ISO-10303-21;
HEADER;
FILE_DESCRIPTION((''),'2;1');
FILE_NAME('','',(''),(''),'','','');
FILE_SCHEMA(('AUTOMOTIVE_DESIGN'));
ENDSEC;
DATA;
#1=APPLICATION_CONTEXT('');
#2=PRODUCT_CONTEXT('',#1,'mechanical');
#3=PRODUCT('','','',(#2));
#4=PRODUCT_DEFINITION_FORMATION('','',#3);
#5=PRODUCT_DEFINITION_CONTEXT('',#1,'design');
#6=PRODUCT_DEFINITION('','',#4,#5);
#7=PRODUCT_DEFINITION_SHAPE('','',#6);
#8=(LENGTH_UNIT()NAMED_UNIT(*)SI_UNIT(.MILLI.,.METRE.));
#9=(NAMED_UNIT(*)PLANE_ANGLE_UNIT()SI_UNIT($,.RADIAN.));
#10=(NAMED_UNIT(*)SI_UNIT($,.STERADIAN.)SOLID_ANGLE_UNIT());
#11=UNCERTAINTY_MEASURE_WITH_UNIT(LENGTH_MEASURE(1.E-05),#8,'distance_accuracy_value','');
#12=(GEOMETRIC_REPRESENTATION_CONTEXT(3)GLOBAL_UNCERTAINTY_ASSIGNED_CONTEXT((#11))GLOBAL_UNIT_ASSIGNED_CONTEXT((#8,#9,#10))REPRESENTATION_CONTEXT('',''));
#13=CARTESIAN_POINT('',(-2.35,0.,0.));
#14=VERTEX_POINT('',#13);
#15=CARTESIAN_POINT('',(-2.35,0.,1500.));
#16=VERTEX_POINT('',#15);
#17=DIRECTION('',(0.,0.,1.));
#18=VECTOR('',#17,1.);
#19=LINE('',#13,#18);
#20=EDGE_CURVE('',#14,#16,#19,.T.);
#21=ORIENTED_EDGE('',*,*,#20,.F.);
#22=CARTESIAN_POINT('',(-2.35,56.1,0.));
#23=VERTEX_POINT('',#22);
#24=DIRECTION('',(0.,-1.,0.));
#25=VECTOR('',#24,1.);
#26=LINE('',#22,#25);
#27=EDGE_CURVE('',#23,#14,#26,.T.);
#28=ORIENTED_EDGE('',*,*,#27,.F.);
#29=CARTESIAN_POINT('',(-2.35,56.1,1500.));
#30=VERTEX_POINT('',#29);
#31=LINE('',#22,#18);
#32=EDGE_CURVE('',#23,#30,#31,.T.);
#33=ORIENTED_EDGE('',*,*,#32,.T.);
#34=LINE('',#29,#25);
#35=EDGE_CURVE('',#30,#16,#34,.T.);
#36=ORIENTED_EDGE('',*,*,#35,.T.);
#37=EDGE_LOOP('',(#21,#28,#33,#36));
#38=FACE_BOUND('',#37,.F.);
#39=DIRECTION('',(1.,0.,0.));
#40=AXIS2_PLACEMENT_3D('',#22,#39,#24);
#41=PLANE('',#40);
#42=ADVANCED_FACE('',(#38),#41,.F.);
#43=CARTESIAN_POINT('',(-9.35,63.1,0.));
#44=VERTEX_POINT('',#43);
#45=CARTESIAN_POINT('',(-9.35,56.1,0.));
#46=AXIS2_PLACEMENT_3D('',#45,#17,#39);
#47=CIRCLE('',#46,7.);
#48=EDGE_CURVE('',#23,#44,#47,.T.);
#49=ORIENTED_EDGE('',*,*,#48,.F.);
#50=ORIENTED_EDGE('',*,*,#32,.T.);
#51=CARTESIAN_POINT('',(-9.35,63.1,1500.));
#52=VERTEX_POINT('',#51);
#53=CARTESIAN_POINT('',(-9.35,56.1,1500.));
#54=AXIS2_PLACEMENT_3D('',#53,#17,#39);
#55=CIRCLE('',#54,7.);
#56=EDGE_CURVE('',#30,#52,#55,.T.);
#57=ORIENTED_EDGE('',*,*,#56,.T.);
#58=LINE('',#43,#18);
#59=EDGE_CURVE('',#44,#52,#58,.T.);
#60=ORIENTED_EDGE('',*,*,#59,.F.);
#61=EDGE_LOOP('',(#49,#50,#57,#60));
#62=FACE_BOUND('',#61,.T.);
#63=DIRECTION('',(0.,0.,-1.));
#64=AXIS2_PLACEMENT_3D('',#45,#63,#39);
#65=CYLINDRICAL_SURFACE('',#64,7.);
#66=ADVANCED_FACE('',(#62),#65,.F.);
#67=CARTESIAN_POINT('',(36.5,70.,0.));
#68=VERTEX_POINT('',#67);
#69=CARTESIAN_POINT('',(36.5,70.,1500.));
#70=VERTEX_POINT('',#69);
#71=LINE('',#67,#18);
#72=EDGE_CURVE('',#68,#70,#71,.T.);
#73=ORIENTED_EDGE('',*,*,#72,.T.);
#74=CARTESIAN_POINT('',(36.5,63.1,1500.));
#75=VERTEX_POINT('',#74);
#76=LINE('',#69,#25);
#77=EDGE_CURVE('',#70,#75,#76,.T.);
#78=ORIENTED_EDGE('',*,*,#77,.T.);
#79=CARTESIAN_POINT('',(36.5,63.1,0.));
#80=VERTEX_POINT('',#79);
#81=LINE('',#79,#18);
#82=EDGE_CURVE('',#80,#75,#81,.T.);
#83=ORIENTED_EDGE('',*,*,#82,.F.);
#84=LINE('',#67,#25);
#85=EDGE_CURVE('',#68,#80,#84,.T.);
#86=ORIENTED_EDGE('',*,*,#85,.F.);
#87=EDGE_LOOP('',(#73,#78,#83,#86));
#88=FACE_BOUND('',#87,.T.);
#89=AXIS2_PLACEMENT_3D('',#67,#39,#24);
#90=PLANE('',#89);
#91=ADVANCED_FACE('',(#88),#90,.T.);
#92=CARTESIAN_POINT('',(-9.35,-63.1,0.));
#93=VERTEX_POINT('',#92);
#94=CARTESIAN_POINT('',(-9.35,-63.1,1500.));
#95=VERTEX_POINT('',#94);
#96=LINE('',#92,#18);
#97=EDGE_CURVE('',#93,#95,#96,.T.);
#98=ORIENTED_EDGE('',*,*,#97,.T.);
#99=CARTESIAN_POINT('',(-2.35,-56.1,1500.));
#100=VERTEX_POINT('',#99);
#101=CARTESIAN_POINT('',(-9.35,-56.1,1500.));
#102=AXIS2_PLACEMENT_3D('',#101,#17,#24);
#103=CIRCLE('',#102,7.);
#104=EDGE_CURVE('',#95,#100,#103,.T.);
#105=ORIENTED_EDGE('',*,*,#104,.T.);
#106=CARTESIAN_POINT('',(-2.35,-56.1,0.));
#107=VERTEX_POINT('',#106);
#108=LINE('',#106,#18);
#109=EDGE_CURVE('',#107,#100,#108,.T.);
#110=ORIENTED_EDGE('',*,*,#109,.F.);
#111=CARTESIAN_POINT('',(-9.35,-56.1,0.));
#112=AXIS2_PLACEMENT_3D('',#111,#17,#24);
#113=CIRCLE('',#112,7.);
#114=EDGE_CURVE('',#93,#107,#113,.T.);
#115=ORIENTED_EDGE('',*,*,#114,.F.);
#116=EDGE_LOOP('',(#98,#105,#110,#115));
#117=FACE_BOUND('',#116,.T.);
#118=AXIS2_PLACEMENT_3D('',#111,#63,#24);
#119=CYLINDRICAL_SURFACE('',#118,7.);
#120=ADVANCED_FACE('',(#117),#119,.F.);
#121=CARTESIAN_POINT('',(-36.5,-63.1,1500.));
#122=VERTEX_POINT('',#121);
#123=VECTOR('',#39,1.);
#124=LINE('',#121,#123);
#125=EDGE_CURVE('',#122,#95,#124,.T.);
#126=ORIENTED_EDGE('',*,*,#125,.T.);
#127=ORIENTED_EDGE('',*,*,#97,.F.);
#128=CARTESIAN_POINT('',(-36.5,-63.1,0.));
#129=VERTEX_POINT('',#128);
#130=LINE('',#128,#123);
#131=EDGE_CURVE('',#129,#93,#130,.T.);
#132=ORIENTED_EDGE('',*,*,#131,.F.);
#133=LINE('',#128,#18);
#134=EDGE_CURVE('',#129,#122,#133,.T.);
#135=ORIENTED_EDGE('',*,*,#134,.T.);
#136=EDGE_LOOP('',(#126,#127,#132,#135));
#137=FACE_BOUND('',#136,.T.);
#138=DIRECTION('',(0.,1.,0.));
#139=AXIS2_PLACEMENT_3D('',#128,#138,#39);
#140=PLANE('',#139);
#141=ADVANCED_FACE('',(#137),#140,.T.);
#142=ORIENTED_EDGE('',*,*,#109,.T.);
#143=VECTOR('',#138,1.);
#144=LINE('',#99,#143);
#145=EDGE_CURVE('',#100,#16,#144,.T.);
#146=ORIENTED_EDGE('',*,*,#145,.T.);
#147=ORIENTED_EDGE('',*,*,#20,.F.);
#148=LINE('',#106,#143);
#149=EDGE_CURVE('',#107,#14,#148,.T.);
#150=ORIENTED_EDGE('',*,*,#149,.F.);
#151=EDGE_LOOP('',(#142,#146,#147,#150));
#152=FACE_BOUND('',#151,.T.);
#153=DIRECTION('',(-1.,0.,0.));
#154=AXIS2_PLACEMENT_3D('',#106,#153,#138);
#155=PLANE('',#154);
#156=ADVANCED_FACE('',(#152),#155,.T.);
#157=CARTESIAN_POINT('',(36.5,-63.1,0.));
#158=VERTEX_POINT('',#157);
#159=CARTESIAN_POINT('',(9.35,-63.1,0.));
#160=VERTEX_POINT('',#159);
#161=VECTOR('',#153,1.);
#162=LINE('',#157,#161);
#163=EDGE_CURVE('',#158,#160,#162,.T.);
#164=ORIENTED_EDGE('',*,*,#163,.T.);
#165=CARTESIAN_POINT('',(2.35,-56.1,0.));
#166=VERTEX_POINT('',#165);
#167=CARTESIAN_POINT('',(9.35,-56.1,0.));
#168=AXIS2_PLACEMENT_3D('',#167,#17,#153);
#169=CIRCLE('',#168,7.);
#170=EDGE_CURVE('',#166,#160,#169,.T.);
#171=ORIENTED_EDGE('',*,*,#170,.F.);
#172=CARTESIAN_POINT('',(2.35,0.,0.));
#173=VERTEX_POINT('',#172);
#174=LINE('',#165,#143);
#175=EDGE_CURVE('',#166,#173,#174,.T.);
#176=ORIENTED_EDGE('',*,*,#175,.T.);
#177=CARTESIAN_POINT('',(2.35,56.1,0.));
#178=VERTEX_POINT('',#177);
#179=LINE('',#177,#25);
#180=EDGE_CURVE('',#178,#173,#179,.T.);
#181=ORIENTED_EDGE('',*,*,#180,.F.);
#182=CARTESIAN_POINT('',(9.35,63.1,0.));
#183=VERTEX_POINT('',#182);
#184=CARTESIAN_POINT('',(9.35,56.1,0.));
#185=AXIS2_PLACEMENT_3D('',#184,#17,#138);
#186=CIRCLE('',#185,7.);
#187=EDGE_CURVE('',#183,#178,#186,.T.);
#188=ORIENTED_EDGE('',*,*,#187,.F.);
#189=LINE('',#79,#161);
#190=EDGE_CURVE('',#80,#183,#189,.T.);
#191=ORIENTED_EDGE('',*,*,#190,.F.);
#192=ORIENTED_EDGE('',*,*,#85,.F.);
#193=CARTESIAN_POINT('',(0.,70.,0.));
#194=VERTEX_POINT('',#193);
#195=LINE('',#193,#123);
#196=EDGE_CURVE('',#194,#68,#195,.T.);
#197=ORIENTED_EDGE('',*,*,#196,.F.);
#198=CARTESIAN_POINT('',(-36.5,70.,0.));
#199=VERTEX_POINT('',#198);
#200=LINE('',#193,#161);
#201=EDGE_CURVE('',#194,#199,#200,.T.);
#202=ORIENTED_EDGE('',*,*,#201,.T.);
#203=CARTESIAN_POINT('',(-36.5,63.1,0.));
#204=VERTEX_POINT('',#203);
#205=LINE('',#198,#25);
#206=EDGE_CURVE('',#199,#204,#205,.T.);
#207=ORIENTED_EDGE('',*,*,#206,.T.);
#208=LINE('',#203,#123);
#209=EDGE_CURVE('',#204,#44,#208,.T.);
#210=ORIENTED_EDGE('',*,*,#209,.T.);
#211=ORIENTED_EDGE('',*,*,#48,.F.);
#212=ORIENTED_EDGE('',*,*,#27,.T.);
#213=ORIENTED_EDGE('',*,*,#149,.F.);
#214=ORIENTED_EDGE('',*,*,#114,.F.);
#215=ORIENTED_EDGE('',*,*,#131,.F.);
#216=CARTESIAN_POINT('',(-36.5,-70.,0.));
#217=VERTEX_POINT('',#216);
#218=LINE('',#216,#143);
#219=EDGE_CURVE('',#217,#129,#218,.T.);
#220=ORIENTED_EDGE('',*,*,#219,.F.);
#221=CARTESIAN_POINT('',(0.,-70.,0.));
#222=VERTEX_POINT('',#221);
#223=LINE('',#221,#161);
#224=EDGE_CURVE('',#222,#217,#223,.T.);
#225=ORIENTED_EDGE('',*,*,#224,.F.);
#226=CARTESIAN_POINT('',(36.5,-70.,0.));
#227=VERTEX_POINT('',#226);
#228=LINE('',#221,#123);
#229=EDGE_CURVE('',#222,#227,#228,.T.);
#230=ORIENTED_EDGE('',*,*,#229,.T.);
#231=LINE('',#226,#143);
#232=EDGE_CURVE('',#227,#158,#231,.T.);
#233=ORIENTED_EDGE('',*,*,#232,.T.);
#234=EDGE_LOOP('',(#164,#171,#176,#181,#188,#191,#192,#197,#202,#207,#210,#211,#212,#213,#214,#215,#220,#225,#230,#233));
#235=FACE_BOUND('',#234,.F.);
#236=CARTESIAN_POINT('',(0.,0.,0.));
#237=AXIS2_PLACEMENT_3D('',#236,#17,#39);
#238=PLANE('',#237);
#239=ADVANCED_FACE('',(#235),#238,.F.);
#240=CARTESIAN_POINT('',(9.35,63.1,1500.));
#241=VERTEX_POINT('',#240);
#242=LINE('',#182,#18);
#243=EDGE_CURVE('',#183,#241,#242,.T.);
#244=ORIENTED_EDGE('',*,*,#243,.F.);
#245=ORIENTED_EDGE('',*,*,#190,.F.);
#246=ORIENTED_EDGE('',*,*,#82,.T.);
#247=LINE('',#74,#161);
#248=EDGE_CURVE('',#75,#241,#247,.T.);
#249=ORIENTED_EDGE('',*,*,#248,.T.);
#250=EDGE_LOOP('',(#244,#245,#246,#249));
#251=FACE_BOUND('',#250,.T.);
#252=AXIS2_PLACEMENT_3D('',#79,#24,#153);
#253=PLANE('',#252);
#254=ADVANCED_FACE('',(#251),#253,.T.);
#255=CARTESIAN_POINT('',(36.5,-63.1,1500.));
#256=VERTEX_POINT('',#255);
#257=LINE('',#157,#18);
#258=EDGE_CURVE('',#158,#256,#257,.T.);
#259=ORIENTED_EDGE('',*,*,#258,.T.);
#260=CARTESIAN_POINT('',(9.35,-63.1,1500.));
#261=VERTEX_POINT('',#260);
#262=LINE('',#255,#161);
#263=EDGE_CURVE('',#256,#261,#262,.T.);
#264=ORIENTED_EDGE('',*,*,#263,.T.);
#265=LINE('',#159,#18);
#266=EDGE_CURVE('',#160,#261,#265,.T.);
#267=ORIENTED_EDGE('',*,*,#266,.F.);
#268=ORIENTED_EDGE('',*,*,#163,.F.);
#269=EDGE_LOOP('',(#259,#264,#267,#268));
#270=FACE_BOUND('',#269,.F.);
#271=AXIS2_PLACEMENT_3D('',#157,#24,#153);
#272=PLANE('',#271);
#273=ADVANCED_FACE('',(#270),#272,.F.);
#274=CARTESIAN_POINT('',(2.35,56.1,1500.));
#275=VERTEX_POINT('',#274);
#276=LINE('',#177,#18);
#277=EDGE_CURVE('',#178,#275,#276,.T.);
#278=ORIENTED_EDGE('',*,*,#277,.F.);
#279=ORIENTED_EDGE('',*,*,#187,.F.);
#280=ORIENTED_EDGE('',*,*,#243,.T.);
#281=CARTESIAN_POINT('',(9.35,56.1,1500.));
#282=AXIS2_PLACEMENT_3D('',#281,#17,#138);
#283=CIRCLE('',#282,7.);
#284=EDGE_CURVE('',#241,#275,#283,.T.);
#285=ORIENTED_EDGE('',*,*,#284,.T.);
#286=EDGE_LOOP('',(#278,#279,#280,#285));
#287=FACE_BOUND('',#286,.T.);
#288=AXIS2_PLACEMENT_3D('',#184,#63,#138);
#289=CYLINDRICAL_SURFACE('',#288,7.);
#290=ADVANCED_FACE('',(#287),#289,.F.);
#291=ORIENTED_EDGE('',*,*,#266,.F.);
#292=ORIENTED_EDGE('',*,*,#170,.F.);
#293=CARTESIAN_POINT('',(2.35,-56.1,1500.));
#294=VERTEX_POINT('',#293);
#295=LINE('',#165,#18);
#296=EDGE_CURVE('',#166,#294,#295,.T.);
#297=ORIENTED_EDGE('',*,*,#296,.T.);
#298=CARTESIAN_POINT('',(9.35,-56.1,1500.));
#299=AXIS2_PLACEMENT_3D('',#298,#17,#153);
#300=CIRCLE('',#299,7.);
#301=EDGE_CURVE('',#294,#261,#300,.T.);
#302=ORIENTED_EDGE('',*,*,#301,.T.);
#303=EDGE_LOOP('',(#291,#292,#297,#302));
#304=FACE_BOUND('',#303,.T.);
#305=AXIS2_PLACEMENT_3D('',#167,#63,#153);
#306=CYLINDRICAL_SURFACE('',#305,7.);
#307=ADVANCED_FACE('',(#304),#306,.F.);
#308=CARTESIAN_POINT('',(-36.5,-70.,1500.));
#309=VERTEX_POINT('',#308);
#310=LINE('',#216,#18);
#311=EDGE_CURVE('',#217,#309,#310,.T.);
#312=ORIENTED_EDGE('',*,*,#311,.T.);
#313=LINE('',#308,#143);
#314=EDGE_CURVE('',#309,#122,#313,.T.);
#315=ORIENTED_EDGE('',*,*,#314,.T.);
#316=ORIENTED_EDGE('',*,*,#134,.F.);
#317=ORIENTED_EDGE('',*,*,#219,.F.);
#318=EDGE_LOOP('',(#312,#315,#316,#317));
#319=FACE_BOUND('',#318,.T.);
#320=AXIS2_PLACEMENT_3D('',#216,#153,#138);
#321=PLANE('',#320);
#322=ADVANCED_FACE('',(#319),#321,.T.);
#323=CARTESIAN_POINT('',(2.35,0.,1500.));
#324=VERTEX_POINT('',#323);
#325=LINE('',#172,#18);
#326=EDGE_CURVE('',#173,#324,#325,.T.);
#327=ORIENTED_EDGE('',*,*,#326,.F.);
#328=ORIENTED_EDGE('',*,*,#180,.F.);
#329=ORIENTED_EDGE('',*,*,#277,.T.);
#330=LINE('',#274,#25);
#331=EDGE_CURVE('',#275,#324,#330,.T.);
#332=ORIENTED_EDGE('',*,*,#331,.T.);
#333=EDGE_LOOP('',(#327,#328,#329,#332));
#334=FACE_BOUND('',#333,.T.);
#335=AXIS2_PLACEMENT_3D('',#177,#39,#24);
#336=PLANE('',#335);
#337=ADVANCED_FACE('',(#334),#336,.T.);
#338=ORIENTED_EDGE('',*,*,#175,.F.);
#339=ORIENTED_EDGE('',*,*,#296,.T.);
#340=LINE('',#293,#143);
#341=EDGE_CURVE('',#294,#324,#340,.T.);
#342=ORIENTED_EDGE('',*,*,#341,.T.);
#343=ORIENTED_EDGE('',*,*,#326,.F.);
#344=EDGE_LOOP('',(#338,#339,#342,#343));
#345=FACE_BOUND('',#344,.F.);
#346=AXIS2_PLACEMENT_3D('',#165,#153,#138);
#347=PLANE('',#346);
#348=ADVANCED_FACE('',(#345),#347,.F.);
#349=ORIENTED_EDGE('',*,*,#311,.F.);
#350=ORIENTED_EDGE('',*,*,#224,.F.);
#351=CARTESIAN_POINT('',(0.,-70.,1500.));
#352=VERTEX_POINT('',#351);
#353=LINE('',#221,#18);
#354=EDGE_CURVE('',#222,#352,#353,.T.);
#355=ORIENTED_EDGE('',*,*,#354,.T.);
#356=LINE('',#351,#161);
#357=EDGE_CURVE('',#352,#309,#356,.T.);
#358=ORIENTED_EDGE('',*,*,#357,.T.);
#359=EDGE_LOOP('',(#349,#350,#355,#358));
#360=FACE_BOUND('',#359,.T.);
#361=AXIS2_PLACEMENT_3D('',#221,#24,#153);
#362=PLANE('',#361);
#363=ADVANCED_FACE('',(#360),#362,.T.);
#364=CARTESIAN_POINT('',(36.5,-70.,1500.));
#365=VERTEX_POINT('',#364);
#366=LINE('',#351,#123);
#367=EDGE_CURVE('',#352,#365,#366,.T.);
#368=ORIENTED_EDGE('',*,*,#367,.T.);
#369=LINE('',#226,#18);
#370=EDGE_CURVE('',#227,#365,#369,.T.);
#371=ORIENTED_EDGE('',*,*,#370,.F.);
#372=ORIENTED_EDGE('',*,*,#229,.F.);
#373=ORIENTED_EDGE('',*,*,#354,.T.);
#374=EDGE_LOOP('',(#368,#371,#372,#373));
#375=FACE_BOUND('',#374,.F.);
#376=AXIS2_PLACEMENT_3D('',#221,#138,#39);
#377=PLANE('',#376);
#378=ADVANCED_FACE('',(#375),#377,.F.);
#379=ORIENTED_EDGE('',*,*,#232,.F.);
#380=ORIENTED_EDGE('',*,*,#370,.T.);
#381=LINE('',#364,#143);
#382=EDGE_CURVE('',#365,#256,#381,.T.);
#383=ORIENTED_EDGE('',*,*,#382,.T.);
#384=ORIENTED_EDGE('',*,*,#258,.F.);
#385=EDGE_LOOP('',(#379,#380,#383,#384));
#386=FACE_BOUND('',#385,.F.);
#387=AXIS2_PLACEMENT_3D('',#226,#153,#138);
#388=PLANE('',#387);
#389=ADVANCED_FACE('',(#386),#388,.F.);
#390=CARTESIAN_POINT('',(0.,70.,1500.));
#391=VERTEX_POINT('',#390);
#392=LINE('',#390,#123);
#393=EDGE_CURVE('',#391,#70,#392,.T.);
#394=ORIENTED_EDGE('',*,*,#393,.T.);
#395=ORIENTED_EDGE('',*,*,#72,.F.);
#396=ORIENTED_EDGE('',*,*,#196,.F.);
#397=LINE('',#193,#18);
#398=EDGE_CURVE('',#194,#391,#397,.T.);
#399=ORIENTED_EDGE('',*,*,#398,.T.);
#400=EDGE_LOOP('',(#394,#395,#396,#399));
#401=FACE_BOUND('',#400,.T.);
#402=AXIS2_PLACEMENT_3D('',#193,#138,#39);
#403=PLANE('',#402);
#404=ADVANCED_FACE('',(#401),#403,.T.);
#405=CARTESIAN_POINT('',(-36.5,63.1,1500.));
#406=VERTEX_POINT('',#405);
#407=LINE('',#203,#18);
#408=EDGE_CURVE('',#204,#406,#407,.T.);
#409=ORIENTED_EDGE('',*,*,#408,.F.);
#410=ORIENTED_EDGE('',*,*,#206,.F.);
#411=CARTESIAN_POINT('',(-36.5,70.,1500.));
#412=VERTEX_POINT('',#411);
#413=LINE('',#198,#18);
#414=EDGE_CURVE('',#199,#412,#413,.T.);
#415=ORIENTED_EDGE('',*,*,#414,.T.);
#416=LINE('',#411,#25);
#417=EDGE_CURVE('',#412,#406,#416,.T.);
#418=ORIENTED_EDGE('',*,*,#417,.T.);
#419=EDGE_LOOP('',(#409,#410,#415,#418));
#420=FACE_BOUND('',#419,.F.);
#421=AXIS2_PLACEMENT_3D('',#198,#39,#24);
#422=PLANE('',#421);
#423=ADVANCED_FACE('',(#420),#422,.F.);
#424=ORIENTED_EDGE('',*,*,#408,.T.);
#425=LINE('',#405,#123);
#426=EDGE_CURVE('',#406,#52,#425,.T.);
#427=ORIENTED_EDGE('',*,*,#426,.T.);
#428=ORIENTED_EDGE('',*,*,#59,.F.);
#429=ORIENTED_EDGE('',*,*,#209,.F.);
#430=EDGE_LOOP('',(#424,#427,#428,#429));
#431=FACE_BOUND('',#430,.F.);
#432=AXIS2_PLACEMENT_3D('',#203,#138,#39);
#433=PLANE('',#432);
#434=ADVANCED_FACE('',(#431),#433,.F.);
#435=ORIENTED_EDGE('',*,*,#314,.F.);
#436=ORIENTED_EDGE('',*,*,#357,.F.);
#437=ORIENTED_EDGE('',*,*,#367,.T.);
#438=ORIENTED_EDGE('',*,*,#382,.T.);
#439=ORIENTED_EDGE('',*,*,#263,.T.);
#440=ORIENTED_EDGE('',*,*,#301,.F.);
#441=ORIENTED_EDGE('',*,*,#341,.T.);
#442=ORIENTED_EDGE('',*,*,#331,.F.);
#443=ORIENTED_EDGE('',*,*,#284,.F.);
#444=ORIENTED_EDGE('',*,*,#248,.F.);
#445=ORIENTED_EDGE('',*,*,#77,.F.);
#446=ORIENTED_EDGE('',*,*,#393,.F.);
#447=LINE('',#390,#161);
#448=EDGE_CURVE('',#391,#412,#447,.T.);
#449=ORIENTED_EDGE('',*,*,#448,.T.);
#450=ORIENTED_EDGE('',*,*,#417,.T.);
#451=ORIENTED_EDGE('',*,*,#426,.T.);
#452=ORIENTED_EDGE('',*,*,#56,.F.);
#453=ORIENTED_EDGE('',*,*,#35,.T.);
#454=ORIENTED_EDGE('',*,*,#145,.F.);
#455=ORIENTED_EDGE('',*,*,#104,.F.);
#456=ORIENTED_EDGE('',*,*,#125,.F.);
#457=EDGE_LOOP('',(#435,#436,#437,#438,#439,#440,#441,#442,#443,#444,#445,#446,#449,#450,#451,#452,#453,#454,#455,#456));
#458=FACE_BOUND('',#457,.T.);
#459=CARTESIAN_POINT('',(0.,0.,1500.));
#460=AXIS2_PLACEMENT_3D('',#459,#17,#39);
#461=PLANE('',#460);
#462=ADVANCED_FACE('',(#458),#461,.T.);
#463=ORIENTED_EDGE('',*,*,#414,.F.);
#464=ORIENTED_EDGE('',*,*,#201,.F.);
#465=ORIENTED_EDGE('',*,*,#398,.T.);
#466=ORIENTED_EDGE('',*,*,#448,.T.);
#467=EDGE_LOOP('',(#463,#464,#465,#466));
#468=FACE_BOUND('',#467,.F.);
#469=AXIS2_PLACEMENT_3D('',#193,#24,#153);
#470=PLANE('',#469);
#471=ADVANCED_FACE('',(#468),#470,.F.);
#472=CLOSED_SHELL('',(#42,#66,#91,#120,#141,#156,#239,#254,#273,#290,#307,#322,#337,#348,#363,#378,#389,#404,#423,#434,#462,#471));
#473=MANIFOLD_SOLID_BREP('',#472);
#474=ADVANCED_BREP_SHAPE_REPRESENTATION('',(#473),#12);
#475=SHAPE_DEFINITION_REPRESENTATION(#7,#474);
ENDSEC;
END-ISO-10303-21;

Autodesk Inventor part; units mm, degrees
ref_plane "YZ Plane" through (0, 0, 0) normal (1, 0, 0) x (0, 1, 0)
ref_plane "Start plane" through (0, 0, 0) normal (0, 0, 1) x (1, 0, 0)
ref_plane "End plane" through (0, 0, 1500) normal (0, 0, 1) x (1, 0, 0)
sketch "Sketch" plane through (0, 0, 0) normal (0, 0, 1) x (1, 0, 0)
  line L0 (-36.5, -70) -> (-36.5, -63.1)
  line L1 (-36.5, -63.1) -> (-9.35, -63.1)
  line L2 (-2.35, -56.1) -> (-2.35, 0)
  line L3 (-2.35, 0) -> (0, 0) construction
  line L4 (0, 0) -> (0, -70) construction
  line L5 (0, -70) -> (-36.5, -70)
  line L6 (-60, 0) -> (80, 0) construction
  line L7 (0, -60) -> (0, 80) construction
  line L8 (36.5, -70) -> (36.5, -63.1)
  line L9 (36.5, -63.1) -> (9.35, -63.1)
  line L10 (2.35, -56.1) -> (2.35, 0)
  line L11 (2.35, 0) -> (0, 0) construction
  line L12 (0, -70) -> (36.5, -70)
  line L13 (-36.5, 70) -> (-36.5, 63.1)
  line L14 (-36.5, 63.1) -> (-9.35, 63.1)
  line L15 (-2.35, 56.1) -> (-2.35, 0)
  line L16 (0, 70) -> (-36.5, 70)
  line L17 (36.5, 70) -> (36.5, 63.1)
  line L18 (36.5, 63.1) -> (9.35, 63.1)
  line L19 (0, 70) -> (36.5, 70)
  line L20 (2.35, 56.1) -> (2.35, 0)
  arc A0 (-2.35, 56.1) -> (-9.35, 63.1) centre (-9.35, 56.1) ccw
  arc A1 (9.35, 63.1) -> (2.35, 56.1) centre (9.35, 56.1) ccw
  arc A2 (2.35, -56.1) -> (9.35, -63.1) centre (9.35, -56.1) ccw
  arc A3 (-9.35, -63.1) -> (-2.35, -56.1) centre (-9.35, -56.1) ccw
  line L21 (0, 108) -> (0, -88) construction
  line L22 (-88, 0) -> (108, 0) construction
  point P0 (-2.35, -63.1)
  point P1 (2.35, -63.1)
  point P2 (-2.35, 63.1)
  point P3 (2.35, 63.1)
  dimension "d1" = 70
  dimension "d2" = 6.9
  dimension "d3" = 36.5
  dimension "d4" = 2.35
  dimension "d10" = 7
extrude "Body" add sketch "Sketch" along normal up to surface (1500 mm away) from surface at 0
sketch "Sketch4" plane through (0, 0, 0) normal (0, 0, 1) x (1, 0, 0)
  line L0 (0, 0) -> (10, 0)
ref_plane "Work Plane3" through (0, 0, 0) normal (0, -1, 0) x (1, 0, 0)
sketch "Sketch5" plane through (0, 0, 0) normal (0, -1, 0) x (1, 0, 0)
  line L0 (-2, 0) -> (12, 0)
  line L1 (-2, 1500) -> (12, 1500)
  dimension "d14" = 1500
equation "\"d1\" = 0.5 * G_H"
equation "\"d2\" = G_T1"
equation "\"d3\" = 0.5 * G_W"
equation "\"d4\" = 0.5 * G_T"
equation "\"d10\" = G_IR"
equation "\"d5\" = G_L"
equation "\"G_W\" = 73"
equation "\"G_T\" = 4.7"
equation "\"G_T1\" = 6.9"
equation "\"G_IR\" = 7"
equation "\"G_L\" = d14"
equation "\"G_OFFSET_START\" = 0"
equation "\"G_OFFSET_END\" = 0"
equation "\"G_H\" = 140"
properties part number "PN-91/H-93419 - IPE140 - 1500" material "Steel, Mild"
